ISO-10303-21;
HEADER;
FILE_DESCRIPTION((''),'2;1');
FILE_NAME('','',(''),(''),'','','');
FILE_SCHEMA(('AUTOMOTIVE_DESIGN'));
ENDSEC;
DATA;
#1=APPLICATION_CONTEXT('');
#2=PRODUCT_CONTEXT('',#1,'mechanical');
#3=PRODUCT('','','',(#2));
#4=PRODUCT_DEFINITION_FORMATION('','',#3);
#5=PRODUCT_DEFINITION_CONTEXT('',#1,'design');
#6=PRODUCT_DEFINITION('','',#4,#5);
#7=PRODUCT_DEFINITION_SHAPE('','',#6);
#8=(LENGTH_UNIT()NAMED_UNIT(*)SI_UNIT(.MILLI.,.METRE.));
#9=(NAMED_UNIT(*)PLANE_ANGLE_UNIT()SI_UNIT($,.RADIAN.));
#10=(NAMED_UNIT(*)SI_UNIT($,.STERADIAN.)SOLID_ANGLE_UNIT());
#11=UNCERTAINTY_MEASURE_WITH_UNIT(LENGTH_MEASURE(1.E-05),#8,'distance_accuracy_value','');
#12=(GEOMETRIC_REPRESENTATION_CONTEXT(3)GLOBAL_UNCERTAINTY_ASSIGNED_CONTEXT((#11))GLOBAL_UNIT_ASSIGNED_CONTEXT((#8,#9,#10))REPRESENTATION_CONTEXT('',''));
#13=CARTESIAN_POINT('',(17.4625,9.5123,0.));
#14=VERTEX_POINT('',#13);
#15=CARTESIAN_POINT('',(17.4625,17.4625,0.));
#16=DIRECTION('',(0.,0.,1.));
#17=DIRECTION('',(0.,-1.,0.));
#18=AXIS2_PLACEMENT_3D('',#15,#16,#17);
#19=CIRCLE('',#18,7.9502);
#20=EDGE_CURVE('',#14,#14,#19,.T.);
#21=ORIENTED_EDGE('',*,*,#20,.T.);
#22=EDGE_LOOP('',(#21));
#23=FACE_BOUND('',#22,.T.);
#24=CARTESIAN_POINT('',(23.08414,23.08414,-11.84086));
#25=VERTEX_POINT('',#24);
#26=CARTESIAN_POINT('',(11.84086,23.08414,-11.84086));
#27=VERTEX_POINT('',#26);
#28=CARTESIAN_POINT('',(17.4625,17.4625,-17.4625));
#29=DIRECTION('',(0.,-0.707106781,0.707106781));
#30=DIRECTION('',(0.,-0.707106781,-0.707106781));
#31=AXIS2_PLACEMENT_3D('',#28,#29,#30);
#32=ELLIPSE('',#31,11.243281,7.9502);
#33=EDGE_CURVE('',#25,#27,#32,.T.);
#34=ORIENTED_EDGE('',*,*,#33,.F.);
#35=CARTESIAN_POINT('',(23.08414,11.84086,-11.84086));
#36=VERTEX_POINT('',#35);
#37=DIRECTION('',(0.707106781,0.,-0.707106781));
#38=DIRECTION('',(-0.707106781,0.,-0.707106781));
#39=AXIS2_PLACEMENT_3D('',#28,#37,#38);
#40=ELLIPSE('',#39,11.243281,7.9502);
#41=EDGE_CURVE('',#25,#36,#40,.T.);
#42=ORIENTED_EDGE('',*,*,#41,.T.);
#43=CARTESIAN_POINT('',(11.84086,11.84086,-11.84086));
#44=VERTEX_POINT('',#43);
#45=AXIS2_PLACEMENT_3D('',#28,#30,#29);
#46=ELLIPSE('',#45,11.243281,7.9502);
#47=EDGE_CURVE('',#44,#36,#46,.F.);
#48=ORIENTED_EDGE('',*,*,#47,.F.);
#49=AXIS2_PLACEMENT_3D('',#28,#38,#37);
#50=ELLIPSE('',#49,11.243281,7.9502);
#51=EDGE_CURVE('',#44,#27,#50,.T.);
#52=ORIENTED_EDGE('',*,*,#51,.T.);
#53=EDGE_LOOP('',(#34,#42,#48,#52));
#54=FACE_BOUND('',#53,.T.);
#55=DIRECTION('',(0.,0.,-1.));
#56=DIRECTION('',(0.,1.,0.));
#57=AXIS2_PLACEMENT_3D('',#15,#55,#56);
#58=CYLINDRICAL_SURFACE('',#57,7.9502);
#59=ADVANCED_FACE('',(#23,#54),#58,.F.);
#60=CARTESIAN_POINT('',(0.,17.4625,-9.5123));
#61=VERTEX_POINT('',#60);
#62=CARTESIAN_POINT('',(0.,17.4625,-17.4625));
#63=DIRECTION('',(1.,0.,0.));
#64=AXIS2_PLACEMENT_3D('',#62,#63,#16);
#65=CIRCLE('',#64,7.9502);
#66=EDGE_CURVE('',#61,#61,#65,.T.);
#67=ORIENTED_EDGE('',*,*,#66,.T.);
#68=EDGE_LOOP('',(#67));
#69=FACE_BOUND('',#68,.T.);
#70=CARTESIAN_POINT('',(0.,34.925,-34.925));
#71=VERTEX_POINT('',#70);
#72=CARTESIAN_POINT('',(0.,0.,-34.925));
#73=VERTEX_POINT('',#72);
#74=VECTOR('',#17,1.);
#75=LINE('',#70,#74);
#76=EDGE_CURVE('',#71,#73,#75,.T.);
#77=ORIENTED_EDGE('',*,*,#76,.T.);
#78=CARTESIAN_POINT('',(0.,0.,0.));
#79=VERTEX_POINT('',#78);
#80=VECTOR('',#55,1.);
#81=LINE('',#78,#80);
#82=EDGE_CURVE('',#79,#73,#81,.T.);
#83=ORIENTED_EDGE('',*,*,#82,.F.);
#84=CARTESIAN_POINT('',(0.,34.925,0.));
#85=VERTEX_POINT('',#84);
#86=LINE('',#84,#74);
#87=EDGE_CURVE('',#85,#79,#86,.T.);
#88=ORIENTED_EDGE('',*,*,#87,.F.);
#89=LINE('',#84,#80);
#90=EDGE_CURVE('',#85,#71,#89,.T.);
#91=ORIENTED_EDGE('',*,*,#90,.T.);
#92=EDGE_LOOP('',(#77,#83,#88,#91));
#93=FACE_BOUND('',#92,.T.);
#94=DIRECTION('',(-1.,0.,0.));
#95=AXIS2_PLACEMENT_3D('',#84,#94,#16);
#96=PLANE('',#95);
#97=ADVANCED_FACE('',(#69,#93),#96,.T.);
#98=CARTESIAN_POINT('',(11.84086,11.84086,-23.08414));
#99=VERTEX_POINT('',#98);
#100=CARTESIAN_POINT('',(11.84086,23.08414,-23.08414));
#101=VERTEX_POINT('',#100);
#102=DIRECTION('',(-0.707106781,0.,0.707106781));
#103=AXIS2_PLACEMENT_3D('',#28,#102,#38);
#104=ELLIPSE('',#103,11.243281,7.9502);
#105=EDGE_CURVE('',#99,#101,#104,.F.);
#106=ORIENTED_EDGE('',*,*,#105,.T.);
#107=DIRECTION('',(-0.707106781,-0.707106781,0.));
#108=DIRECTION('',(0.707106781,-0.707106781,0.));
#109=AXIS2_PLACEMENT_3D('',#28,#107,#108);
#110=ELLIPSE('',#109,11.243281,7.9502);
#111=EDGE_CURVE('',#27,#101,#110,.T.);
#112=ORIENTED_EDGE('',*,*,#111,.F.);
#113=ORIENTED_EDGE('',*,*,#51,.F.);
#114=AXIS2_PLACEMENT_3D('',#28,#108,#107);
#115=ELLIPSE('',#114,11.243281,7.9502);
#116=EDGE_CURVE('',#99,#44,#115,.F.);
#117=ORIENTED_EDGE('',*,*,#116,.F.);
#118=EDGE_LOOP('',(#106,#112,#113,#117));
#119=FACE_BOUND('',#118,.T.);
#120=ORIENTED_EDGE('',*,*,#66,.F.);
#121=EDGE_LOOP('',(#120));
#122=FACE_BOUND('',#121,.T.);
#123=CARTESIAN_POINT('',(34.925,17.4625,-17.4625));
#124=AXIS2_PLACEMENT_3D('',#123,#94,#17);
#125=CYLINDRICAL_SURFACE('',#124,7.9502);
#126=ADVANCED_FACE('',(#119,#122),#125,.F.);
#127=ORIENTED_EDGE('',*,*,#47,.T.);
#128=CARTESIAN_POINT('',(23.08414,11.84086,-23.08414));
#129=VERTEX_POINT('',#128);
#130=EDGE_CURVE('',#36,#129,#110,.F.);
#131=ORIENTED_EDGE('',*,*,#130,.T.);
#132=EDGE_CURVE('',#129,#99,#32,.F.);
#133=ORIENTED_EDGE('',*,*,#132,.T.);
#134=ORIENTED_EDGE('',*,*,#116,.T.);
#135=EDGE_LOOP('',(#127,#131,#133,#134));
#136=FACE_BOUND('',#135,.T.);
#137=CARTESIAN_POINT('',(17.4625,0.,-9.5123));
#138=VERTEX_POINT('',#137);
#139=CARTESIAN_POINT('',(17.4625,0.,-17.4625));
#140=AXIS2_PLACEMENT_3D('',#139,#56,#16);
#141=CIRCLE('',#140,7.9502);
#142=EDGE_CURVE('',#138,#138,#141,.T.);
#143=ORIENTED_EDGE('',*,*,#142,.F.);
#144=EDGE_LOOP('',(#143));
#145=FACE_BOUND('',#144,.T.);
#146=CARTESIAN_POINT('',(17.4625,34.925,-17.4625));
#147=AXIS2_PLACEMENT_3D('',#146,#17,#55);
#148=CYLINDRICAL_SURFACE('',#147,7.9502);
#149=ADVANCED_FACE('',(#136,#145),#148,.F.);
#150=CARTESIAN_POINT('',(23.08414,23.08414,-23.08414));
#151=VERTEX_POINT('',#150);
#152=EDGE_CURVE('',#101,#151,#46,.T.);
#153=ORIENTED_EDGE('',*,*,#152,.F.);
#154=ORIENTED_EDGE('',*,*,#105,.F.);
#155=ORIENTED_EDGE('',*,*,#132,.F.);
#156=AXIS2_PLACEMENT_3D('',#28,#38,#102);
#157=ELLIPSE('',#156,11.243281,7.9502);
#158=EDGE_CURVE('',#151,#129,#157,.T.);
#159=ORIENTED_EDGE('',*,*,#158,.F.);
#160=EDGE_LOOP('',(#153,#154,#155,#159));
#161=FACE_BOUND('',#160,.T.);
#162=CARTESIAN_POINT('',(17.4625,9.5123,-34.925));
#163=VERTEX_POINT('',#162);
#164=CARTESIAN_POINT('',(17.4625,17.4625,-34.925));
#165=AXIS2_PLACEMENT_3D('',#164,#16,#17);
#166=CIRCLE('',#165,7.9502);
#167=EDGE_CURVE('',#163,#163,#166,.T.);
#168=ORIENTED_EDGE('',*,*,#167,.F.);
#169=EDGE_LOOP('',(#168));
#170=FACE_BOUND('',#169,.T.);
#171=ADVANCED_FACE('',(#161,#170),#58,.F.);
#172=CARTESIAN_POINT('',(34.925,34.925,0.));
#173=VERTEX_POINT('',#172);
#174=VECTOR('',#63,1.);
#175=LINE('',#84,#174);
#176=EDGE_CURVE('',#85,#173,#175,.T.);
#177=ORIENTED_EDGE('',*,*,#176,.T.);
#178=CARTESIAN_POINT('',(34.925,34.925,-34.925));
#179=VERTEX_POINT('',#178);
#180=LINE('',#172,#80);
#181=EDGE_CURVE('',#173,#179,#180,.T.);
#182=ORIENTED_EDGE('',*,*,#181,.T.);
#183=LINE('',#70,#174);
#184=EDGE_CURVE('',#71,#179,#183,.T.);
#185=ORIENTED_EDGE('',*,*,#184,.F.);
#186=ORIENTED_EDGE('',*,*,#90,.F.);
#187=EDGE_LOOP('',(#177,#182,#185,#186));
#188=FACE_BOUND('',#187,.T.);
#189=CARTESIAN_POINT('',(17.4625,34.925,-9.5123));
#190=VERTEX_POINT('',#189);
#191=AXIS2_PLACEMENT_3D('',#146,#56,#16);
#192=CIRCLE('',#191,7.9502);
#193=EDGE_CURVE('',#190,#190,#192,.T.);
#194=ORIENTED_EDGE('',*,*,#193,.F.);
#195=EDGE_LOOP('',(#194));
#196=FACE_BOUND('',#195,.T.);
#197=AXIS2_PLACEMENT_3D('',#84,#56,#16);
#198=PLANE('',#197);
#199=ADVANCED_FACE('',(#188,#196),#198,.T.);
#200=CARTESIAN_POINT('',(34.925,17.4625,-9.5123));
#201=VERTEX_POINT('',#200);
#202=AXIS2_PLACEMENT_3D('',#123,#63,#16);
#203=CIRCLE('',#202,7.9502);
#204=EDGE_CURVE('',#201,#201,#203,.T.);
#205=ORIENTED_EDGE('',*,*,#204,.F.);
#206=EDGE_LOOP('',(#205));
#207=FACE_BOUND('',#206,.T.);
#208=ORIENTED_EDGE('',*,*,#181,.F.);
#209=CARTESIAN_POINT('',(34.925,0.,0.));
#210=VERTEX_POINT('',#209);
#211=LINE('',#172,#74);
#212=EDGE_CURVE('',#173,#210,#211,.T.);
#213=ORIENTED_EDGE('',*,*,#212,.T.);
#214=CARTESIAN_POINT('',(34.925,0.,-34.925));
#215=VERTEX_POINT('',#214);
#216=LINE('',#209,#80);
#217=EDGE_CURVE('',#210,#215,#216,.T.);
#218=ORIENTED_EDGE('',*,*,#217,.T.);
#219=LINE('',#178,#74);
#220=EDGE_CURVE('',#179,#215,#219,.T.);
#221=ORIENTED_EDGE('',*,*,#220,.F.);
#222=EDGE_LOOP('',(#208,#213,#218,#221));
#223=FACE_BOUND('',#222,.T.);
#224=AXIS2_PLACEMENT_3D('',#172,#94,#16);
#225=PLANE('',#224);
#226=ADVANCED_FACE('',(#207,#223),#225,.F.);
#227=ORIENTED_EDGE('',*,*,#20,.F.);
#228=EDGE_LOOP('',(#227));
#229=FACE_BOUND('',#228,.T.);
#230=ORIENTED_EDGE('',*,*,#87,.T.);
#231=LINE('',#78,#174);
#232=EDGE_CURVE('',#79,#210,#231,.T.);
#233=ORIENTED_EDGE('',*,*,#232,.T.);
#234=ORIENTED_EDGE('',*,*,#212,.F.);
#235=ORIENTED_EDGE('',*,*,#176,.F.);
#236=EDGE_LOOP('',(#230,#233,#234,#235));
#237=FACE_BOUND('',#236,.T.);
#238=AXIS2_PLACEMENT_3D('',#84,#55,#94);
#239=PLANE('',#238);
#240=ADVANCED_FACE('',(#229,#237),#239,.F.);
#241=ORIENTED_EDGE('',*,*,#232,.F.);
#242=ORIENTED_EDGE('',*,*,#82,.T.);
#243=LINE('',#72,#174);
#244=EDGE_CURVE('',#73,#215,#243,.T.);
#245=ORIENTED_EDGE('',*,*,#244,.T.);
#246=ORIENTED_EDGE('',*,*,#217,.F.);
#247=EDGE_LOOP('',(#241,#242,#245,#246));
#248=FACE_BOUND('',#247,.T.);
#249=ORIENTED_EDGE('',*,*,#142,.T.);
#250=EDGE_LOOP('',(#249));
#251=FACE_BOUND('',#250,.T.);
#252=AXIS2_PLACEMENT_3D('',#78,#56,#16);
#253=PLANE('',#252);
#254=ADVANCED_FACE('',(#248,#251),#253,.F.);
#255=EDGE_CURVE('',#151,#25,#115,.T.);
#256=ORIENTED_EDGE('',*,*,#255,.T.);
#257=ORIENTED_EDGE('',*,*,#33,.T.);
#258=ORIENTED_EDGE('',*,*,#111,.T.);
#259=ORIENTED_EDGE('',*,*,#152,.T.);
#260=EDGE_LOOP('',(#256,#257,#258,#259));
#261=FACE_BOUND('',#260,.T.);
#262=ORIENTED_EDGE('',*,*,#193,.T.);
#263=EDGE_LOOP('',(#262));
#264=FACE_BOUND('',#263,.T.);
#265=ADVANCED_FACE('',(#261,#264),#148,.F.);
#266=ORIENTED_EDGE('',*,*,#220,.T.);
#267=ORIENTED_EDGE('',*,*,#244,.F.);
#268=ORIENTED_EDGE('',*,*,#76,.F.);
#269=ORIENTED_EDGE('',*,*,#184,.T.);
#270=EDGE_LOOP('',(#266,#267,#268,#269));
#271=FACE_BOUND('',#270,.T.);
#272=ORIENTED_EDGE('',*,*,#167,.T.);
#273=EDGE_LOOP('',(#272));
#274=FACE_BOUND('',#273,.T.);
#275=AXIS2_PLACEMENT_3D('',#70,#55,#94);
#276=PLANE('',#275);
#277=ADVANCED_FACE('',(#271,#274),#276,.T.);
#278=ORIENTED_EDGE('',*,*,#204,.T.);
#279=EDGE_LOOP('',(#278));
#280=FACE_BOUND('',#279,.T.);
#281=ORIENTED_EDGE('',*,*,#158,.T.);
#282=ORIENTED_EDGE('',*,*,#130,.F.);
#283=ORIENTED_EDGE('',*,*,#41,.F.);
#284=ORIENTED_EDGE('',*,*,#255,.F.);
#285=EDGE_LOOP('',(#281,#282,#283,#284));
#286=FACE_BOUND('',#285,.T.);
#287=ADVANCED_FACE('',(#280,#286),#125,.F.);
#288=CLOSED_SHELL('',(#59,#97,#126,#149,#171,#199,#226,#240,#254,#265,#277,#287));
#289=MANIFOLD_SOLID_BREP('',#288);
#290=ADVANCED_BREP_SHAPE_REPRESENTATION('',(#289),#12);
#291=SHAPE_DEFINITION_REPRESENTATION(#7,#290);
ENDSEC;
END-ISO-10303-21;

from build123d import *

# Parameters (mm, degrees)
SKETCH1_W                   = 34.925
SKETCH1_H                   = 34.925
CUBE_DEPTH                  = 34.925
SKETCH1_3_R                 = 7.9502
CUT_EXTRUDE1_DEPTH          = 61.491874454
CIRPATTERN2_COUNT           = 2
CIRPATTERN2_ANGLE           = 90
CIRPATTERN3_COPY_1_SKETCH_R = 7.9502
CIRPATTERN3_COPY_1_DEPTH    = 61.491874454
CIRPATTERN3_COPY_2_SKETCH_R = 7.9502
CIRPATTERN3_COPY_2_DEPTH    = 61.491874454


with BuildPart() as part:
    # Sketch1 → Cube (new body)
    with BuildSketch(Plane(origin=(0, 0, 0), x_dir=(1, 0, 0), z_dir=(0, 1, 0))):
        with Locations((17.4625, 17.4625)):
            Rectangle(SKETCH1_W, SKETCH1_H)
    extrude(amount=CUBE_DEPTH)

    # Sketch1<3> → Cut-Extrude1 (cut, through all)
    with BuildSketch(Plane(origin=(0, 0, 0), x_dir=(1, 0, 0), z_dir=(0, 1, 0))):
        with Locations((17.4625, 17.4625)):
            Circle(SKETCH1_3_R)
    cut_extrude1 = extrude(amount=CUT_EXTRUDE1_DEPTH, mode=Mode.SUBTRACT)

    # CirPattern2: Cut-Extrude1 ×2 about axis
    cirpattern2_axis = Axis((-1.74625, 17.4625, -17.4625), (1, 0, 0))
    for i in range(1, CIRPATTERN2_COUNT):
        add(cut_extrude1.rotate(cirpattern2_axis, i * CIRPATTERN2_ANGLE / (CIRPATTERN2_COUNT - 1)), mode=Mode.SUBTRACT)

    # CirPattern3 copy 1 sketch → CirPattern3 copy 1 (cut, through all)
    with BuildSketch(Plane(origin=(0, 34.925, -34.925), x_dir=(0, -1, 0), z_dir=(0, 0, 1))):
        with Locations((17.4625, 17.4625)):
            Circle(CIRPATTERN3_COPY_1_SKETCH_R)
    extrude(amount=CIRPATTERN3_COPY_1_DEPTH, mode=Mode.SUBTRACT)

    # CirPattern3 copy 2 sketch → CirPattern3 copy 2 (cut, through all)
    with BuildSketch(Plane(origin=(0, 34.925, 0), x_dir=(0, -1, 0), z_dir=(1, 0, 0))):
        with Locations((17.4625, 17.4625)):
            Circle(CIRPATTERN3_COPY_2_SKETCH_R)
    extrude(amount=CIRPATTERN3_COPY_2_DEPTH, mode=Mode.SUBTRACT)


solid = part.part
